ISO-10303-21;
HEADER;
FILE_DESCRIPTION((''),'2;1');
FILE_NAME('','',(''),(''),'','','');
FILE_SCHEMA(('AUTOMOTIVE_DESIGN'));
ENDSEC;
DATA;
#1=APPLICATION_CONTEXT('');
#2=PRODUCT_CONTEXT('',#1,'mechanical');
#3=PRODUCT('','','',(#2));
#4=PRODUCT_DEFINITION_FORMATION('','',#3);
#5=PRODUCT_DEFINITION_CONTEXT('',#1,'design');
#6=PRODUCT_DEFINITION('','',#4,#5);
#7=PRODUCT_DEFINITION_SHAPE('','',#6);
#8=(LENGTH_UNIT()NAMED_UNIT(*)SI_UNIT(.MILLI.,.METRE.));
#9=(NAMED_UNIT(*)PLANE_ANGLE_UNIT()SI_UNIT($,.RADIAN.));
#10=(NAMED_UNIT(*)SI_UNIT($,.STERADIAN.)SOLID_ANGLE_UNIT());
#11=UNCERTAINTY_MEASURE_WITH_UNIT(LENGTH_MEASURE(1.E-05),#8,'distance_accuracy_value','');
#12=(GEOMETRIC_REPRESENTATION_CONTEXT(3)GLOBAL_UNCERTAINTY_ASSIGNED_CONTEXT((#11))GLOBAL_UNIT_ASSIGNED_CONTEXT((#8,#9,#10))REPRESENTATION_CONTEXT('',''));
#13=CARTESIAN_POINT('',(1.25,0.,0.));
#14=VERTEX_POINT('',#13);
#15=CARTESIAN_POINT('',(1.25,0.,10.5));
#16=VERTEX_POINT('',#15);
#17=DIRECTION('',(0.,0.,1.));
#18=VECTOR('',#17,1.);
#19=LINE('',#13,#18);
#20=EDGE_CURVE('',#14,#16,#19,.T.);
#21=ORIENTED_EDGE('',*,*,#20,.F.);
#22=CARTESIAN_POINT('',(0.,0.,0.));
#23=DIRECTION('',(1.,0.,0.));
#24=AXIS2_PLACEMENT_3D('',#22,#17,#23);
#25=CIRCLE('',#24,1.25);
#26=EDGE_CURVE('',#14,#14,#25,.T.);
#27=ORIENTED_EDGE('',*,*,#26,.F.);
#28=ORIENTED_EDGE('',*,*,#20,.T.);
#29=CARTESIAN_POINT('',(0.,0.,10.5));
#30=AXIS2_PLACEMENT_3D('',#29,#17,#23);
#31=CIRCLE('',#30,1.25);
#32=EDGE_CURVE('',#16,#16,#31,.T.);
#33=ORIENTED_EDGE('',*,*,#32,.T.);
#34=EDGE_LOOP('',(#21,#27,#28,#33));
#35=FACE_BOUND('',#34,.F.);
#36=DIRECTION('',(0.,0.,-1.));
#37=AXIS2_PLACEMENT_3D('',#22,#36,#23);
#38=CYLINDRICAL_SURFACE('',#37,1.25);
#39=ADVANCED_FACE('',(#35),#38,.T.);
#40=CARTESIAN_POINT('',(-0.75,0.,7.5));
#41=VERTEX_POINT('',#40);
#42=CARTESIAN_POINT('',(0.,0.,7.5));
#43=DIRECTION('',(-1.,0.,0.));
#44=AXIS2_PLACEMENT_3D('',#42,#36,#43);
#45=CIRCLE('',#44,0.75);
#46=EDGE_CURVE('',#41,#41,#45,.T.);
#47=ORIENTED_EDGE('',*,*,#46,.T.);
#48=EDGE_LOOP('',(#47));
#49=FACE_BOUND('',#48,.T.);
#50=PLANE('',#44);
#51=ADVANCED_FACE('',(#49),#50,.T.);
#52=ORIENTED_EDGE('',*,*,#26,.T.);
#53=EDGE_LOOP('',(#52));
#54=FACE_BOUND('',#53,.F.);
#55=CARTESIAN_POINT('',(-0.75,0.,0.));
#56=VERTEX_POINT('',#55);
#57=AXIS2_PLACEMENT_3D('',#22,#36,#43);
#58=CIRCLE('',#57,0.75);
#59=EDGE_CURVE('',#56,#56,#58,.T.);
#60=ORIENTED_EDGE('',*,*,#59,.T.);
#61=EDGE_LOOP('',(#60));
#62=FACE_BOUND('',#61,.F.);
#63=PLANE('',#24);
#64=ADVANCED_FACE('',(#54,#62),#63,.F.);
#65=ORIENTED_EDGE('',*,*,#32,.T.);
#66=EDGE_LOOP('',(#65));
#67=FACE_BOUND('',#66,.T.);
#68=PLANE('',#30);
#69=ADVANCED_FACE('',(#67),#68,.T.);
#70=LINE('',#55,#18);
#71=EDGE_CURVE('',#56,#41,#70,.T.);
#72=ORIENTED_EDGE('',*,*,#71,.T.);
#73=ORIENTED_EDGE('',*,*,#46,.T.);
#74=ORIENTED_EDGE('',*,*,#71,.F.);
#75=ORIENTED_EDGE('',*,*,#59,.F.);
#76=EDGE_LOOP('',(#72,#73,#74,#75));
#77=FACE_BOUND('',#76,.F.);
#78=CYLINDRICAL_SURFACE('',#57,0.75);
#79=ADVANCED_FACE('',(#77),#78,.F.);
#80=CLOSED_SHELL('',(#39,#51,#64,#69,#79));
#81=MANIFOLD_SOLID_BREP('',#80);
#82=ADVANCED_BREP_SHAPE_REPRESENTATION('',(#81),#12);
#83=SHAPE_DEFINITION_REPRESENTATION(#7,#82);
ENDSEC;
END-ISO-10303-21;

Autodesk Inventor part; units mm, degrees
ref_plane "YZ Plane" through (0, 0, 0) normal (1, 0, 0) x (0, 1, 0)
ref_plane "XZ Plane" through (0, 0, 0) normal (0, 1, 0) x (-1, 0, 0)
ref_plane "XY Plane" through (0, 0, 0) normal (0, 0, 1) x (1, 0, 0)
sketch "Sketch1" plane through (0, 0, 0) normal (0, 0, 1) x (1, 0, 0)
  circle A0 centre (0, 0) radius 1.25
  dimension "d0" = 2.5
extrude "Extrusion1" add sketch "Sketch1" along normal blind 10.5
sketch "Sketch2" plane through (0, 0, 0) normal (0, 0, -1) x (-1, 0, 0)
  circle A0 centre (0, 0) radius 0.75
  dimension "d3" = 1.5
extrude "Extrusion2" cut sketch "Sketch2" against normal blind 7.5
properties part number "cannula_with_hole_1_5_mm_v01"
